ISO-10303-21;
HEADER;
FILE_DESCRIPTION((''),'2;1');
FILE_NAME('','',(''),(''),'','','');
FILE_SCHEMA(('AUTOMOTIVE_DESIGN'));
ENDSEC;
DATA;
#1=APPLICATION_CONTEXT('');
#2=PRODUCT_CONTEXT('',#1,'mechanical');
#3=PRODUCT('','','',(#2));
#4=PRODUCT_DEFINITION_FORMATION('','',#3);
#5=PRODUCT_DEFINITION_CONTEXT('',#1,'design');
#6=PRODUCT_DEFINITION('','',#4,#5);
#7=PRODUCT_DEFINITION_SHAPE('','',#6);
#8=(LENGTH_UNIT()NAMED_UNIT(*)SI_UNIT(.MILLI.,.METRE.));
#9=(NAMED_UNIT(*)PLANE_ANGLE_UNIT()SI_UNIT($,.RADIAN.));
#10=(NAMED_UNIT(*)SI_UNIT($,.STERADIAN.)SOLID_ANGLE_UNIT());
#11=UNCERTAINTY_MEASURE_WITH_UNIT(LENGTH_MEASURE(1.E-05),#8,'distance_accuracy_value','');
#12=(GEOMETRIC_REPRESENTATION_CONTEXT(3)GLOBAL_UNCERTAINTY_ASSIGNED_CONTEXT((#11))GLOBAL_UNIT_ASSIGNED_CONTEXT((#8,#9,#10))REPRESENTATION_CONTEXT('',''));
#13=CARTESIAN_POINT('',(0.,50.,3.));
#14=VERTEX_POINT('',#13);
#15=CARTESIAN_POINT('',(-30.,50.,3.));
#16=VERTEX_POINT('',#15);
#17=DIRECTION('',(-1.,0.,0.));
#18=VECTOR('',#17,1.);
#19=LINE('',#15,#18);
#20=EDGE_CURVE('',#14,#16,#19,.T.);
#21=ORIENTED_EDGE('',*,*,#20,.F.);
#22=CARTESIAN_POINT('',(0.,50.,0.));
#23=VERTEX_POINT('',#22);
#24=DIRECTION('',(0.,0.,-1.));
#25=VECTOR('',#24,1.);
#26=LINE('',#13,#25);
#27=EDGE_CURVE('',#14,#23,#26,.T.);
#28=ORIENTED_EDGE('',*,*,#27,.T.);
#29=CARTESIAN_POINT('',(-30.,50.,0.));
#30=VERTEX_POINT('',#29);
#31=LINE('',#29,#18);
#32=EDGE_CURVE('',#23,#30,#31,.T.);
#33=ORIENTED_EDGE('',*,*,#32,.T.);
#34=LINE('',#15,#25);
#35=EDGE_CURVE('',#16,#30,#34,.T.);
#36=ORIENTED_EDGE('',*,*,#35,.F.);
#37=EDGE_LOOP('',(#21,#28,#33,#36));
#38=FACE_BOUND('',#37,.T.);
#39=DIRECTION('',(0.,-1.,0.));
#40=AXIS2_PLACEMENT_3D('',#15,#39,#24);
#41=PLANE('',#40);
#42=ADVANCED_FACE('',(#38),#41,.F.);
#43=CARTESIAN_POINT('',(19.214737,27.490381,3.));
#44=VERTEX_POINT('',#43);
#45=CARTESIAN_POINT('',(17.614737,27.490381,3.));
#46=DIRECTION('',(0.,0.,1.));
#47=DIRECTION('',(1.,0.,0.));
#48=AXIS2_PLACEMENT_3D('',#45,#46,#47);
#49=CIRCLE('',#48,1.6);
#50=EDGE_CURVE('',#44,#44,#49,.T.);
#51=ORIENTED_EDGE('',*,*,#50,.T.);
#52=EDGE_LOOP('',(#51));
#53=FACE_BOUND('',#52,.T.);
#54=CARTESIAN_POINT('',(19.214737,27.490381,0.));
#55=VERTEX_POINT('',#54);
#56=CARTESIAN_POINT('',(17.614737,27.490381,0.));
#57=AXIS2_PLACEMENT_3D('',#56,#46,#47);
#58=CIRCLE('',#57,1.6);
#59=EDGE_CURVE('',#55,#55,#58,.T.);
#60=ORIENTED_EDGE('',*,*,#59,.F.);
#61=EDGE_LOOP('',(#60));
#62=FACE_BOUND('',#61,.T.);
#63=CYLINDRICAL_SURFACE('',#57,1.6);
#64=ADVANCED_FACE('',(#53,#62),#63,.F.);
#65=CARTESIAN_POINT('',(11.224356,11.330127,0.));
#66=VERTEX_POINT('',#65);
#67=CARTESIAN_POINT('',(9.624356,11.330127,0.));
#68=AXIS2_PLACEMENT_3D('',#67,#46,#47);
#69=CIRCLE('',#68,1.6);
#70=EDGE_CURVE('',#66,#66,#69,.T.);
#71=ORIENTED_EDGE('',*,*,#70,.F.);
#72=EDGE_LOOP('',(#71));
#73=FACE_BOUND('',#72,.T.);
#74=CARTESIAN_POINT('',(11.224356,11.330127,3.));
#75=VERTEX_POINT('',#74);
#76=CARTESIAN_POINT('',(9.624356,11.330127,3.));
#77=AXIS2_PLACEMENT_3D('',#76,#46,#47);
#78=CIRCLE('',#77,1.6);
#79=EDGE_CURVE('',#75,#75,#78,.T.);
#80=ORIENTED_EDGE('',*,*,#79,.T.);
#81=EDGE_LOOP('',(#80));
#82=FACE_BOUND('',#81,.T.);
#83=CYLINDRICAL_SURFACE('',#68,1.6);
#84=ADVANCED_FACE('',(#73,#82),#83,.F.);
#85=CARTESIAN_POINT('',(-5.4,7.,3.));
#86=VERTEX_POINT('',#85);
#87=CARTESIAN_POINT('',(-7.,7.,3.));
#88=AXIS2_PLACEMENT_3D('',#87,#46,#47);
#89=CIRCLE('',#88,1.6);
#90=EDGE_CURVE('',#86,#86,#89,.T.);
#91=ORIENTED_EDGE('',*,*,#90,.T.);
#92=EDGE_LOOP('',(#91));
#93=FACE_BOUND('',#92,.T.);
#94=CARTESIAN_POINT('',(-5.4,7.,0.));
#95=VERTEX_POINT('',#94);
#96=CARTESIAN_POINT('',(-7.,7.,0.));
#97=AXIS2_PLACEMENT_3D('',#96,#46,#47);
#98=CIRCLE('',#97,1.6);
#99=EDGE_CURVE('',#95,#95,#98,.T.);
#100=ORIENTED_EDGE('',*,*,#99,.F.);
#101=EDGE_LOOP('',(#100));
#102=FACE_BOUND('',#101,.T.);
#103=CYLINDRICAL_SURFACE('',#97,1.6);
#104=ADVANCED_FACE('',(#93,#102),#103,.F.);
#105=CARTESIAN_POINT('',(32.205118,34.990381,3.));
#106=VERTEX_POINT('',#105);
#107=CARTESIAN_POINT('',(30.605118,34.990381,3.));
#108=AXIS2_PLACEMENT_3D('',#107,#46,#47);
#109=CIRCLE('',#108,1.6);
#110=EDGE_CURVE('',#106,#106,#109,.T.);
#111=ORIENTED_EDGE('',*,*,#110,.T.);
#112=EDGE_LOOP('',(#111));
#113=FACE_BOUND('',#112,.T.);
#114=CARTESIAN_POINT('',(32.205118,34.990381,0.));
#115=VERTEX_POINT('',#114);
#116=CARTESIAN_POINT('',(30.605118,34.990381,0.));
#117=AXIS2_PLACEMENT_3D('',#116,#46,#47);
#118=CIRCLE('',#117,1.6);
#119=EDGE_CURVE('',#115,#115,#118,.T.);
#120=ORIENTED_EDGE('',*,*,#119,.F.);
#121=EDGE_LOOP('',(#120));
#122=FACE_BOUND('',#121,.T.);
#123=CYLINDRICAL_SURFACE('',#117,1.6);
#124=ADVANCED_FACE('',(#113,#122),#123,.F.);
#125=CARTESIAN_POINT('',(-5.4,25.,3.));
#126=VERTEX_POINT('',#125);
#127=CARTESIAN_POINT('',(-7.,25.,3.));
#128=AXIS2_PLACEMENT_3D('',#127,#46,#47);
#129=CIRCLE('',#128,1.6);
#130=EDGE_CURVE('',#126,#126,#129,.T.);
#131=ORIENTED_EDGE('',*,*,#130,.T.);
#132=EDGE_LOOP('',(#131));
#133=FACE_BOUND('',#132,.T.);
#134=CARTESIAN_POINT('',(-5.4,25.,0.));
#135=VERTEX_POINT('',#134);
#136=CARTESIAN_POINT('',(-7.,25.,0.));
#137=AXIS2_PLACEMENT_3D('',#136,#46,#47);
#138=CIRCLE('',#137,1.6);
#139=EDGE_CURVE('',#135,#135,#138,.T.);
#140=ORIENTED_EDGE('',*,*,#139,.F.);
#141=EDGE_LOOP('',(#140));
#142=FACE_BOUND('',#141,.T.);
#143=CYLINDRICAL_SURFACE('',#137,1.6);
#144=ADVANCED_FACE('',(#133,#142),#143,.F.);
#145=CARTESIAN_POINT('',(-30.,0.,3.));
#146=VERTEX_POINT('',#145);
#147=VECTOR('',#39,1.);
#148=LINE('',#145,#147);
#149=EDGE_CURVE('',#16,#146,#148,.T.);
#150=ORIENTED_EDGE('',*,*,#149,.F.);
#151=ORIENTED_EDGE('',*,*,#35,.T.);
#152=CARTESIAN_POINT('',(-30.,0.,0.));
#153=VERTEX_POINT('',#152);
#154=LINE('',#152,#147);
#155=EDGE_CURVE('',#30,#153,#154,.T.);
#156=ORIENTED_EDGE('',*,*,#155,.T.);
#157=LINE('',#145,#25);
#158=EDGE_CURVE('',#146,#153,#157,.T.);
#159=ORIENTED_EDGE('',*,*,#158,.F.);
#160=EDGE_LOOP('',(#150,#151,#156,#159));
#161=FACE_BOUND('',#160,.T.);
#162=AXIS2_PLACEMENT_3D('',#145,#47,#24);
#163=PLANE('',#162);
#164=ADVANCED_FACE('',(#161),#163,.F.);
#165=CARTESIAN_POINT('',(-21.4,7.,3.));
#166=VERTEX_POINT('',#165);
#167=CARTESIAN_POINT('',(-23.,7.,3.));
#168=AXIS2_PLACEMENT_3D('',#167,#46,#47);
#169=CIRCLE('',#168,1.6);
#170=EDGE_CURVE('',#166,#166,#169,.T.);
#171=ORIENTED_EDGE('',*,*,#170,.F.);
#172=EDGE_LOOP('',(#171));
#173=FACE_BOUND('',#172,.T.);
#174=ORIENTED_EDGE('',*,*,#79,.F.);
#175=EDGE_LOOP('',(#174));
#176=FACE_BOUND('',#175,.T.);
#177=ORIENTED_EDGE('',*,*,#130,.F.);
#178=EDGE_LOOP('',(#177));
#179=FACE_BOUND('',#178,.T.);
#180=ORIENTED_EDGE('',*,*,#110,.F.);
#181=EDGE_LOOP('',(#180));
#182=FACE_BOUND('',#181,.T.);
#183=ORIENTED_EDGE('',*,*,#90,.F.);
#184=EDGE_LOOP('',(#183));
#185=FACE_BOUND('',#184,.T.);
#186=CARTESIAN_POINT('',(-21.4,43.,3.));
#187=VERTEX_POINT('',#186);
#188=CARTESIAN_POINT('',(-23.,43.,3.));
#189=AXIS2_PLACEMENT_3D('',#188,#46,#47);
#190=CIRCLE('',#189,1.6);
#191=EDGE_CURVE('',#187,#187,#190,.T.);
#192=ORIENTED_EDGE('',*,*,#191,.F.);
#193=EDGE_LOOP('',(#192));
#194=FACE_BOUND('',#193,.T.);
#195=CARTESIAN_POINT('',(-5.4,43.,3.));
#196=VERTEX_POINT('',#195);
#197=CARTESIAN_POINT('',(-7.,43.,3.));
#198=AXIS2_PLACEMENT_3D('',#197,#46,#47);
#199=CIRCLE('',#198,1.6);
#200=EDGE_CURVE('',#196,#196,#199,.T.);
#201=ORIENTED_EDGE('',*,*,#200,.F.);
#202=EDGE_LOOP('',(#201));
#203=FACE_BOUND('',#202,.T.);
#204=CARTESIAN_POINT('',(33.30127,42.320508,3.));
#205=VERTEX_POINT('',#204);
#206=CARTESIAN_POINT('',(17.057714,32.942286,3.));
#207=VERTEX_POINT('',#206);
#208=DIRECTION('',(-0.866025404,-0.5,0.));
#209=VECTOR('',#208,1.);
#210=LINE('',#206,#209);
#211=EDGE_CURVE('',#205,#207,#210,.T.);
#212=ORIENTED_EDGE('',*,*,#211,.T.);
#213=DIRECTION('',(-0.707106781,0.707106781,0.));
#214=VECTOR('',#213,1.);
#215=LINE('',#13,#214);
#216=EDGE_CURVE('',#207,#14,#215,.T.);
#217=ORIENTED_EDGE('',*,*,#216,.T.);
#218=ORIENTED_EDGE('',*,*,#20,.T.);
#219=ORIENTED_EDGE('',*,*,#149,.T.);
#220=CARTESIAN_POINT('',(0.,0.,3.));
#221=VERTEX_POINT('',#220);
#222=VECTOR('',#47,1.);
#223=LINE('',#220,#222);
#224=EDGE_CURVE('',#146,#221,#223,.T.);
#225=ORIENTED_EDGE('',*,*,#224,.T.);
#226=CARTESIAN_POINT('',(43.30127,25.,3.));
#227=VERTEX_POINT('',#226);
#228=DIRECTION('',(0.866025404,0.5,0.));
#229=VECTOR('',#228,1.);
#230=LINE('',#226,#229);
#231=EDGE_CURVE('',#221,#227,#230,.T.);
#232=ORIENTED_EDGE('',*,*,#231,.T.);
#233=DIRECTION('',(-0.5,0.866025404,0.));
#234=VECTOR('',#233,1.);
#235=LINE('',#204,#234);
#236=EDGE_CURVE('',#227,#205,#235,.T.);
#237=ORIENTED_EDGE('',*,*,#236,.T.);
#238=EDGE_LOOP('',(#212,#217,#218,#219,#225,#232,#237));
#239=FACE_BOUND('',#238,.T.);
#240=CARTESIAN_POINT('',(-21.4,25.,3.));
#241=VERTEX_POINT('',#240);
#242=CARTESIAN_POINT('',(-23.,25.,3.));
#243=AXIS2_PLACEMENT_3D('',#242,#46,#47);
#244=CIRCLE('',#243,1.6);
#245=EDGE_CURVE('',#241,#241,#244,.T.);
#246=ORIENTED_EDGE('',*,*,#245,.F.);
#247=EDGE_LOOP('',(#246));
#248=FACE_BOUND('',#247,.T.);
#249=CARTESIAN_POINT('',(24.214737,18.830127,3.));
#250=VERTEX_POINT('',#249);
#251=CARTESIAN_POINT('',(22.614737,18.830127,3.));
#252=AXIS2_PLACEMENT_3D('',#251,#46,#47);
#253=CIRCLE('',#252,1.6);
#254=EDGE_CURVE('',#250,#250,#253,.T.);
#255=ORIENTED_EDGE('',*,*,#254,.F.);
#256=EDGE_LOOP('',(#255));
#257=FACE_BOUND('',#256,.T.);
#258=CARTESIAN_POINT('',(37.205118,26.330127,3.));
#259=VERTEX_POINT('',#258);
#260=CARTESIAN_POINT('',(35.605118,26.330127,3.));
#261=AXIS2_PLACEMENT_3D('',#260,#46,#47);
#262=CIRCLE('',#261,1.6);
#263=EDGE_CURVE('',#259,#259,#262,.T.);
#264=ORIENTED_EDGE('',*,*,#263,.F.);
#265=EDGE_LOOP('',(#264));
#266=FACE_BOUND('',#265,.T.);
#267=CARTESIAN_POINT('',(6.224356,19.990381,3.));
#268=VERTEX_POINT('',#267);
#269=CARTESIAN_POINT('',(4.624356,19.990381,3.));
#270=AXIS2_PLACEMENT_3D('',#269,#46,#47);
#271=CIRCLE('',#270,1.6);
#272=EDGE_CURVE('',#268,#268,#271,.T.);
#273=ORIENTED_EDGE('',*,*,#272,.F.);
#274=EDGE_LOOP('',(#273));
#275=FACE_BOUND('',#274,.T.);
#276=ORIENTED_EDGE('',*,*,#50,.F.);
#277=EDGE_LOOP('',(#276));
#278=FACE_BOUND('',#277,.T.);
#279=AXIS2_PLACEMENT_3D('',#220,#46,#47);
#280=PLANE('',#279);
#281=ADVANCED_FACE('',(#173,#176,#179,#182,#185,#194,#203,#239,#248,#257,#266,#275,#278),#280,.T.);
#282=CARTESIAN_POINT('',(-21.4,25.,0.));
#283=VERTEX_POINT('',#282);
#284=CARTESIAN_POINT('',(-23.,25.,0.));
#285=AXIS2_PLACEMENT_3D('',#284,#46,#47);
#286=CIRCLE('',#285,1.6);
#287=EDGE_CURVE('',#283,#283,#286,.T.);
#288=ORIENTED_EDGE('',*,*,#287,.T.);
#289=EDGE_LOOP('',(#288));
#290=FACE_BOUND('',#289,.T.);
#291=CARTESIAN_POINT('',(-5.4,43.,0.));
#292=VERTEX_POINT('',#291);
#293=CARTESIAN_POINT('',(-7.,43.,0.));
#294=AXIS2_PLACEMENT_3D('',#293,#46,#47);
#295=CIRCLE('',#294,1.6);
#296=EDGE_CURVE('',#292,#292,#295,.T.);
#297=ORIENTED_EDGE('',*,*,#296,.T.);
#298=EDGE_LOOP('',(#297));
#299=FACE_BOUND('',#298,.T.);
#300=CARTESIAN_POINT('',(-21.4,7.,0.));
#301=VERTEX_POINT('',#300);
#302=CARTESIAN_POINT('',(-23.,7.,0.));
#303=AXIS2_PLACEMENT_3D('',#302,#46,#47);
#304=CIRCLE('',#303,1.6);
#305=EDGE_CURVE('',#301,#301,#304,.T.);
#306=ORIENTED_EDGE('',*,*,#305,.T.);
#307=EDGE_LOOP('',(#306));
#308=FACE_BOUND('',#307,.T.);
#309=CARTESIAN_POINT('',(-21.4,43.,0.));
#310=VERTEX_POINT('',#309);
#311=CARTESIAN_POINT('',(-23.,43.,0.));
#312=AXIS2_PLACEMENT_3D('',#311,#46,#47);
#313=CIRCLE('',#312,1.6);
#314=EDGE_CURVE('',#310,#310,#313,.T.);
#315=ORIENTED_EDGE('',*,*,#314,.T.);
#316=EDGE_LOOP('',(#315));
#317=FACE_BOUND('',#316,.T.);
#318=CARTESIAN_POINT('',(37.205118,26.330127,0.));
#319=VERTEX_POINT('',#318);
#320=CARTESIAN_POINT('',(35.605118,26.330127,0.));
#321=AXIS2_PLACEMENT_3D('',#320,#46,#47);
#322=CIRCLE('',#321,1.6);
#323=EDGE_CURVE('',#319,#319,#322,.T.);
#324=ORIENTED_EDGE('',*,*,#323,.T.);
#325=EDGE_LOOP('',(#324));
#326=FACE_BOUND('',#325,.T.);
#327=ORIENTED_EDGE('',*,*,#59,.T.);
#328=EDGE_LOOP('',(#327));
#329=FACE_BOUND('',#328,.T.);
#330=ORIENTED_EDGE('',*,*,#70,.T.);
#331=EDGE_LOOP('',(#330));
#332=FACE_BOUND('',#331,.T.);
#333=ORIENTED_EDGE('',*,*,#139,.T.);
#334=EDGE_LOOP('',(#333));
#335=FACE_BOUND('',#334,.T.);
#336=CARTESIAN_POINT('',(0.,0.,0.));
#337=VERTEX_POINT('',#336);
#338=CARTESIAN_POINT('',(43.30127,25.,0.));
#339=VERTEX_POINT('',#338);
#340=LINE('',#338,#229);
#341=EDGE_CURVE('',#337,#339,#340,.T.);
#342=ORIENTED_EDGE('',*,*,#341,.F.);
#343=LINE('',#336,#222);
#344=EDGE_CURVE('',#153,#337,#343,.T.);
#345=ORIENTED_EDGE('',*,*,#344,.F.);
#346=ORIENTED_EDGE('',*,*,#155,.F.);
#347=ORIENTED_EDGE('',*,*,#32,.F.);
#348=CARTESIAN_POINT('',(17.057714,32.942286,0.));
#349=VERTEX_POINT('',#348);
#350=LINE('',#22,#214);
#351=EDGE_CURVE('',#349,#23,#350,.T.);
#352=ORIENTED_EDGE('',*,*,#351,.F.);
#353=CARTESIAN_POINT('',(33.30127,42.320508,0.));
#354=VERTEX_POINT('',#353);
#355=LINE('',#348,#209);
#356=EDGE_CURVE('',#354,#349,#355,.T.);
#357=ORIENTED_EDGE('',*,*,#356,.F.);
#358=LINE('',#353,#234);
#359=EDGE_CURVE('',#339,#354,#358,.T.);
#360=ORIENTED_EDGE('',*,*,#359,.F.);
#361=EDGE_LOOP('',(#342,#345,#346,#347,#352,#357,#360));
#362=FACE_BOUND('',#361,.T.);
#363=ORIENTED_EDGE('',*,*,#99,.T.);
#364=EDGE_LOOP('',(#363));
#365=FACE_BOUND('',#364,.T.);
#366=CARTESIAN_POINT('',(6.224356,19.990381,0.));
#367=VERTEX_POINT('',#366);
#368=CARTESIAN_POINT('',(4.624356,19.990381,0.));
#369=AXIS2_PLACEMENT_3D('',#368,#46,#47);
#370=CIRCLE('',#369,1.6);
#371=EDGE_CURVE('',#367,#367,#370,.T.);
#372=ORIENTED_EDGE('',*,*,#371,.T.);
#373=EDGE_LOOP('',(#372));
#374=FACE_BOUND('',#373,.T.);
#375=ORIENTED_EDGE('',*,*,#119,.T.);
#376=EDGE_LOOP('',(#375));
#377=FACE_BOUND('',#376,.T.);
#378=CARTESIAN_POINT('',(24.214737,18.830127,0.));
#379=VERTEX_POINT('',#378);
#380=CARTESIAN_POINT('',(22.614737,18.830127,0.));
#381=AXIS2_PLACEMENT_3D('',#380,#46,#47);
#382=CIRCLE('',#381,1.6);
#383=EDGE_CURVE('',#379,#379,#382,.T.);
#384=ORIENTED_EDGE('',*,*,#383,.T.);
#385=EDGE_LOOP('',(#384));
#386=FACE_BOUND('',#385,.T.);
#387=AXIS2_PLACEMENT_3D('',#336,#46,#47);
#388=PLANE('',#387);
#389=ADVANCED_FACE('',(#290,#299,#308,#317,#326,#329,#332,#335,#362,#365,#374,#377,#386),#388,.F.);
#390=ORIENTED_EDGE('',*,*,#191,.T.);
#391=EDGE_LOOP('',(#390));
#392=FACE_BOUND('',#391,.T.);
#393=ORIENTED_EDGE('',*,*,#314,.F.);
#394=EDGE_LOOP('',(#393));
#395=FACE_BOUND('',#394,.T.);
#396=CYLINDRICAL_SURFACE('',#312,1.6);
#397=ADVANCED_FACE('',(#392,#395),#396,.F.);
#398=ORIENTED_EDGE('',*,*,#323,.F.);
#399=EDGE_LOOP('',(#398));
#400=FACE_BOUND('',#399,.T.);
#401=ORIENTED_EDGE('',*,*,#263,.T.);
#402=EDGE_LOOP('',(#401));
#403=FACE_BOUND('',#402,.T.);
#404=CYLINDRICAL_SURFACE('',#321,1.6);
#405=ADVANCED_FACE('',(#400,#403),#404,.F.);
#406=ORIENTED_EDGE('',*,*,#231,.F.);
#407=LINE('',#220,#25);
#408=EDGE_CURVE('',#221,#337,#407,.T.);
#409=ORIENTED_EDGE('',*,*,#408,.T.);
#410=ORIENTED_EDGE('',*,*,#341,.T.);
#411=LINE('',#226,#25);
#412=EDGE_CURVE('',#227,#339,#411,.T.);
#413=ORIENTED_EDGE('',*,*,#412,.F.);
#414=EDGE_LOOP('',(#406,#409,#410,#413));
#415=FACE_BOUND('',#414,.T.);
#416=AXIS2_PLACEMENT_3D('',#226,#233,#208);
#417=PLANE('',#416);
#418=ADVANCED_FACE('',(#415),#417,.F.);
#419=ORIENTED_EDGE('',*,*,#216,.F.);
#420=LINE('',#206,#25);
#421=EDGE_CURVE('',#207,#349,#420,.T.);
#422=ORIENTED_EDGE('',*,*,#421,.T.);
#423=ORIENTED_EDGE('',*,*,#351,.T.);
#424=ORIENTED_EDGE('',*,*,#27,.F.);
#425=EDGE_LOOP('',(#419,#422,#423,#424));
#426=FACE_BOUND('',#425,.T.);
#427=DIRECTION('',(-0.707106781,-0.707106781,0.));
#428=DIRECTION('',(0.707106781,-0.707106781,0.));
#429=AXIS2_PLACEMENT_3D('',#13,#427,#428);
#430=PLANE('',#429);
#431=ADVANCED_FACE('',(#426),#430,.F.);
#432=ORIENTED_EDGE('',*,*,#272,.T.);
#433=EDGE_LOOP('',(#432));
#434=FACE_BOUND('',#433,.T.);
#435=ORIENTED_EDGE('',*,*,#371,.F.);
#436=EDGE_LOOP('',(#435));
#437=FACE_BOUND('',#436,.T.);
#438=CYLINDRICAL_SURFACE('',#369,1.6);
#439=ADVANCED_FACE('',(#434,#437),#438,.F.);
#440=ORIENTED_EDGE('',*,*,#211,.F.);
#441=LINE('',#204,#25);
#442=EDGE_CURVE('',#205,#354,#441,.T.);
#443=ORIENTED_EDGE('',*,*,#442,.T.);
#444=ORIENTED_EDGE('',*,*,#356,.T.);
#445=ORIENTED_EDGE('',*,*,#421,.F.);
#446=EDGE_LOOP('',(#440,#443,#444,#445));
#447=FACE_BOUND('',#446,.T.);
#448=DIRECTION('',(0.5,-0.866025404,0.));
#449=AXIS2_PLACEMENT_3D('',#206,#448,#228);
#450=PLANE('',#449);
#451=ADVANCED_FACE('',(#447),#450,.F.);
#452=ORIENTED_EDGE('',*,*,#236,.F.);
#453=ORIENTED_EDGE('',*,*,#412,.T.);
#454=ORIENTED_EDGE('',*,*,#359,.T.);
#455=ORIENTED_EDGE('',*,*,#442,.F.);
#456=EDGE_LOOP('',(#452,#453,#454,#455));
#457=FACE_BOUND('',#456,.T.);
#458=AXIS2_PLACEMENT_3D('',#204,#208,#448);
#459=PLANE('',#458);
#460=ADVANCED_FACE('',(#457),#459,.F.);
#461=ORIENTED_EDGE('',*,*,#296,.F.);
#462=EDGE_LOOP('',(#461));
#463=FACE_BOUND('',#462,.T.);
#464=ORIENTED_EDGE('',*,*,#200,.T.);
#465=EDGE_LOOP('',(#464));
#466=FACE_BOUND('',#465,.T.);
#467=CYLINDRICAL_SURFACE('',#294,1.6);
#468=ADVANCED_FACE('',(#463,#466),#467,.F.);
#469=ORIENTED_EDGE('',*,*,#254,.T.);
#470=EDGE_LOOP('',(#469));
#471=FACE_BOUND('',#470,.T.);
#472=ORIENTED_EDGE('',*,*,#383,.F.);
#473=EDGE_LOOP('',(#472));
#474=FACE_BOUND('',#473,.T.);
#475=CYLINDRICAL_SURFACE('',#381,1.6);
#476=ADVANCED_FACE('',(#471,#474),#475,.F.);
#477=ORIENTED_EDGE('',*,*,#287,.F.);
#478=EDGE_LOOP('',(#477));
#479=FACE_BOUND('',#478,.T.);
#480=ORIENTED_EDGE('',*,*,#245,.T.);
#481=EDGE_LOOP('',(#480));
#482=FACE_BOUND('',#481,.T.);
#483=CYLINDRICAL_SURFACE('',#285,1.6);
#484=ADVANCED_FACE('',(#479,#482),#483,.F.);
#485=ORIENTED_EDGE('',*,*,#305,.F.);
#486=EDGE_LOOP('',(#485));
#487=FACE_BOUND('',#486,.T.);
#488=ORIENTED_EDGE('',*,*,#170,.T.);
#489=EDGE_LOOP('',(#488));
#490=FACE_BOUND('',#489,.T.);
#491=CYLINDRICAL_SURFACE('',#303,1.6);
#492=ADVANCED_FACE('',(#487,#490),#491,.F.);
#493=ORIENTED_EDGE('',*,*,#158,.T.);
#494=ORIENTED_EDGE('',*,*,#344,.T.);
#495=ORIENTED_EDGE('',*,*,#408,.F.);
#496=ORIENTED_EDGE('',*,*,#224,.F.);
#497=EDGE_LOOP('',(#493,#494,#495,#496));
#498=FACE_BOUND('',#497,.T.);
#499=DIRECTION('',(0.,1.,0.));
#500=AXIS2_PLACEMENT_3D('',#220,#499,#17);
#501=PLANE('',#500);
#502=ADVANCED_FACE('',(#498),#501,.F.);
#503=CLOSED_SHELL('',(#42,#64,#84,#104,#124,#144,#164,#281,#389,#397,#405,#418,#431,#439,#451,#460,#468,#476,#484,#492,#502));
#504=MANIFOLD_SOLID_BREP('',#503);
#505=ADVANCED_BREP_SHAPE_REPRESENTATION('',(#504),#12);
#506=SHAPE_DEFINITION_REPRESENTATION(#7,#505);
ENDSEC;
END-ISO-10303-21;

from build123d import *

# Parameters (mm, degrees)
EXTRUDE_1_DEPTH     = 3
SKETCH_2_R          = 1.6
CUT_EXTRUDE_1_DEPTH = 67.211781429


with BuildPart() as part:
    # 草图1 → 凸台-拉伸1 (new body)
    with BuildSketch(Plane.XY):
        Polygon((0, 0), (-30, 0), (-30, 50), (0, 50), (17.057713659, 32.942286341), (33.301270189, 42.320508076), (43.301270189, 25), align=None)
    extrude(amount=EXTRUDE_1_DEPTH)

    # 草图2 → 切除-拉伸1 (cut, through all)
    with BuildSketch(Plane.XY.offset(3)):
        with Locations((-23, 43)):
            Circle(SKETCH_2_R)
        with Locations((-7, 43)):
            Circle(SKETCH_2_R)
        with Locations((-23, 7)):
            Circle(SKETCH_2_R)
        with Locations((-7, 7)):
            Circle(SKETCH_2_R)
        with Locations((-23, 25)):
            Circle(SKETCH_2_R)
        with Locations((-7, 25)):
            Circle(SKETCH_2_R)
        with Locations((30.605117767, 34.990381057)):
            Circle(SKETCH_2_R)
        with Locations((35.605117767, 26.330127019)):
            Circle(SKETCH_2_R)
        with Locations((22.61473671, 18.830127019)):
            Circle(SKETCH_2_R)
        with Locations((17.61473671, 27.490381057)):
            Circle(SKETCH_2_R)
        with Locations((4.624355653, 19.990381057)):
            Circle(SKETCH_2_R)
        with Locations((9.624355653, 11.330127019)):
            Circle(SKETCH_2_R)
    extrude(amount=-CUT_EXTRUDE_1_DEPTH, mode=Mode.SUBTRACT)


solid = part.part
